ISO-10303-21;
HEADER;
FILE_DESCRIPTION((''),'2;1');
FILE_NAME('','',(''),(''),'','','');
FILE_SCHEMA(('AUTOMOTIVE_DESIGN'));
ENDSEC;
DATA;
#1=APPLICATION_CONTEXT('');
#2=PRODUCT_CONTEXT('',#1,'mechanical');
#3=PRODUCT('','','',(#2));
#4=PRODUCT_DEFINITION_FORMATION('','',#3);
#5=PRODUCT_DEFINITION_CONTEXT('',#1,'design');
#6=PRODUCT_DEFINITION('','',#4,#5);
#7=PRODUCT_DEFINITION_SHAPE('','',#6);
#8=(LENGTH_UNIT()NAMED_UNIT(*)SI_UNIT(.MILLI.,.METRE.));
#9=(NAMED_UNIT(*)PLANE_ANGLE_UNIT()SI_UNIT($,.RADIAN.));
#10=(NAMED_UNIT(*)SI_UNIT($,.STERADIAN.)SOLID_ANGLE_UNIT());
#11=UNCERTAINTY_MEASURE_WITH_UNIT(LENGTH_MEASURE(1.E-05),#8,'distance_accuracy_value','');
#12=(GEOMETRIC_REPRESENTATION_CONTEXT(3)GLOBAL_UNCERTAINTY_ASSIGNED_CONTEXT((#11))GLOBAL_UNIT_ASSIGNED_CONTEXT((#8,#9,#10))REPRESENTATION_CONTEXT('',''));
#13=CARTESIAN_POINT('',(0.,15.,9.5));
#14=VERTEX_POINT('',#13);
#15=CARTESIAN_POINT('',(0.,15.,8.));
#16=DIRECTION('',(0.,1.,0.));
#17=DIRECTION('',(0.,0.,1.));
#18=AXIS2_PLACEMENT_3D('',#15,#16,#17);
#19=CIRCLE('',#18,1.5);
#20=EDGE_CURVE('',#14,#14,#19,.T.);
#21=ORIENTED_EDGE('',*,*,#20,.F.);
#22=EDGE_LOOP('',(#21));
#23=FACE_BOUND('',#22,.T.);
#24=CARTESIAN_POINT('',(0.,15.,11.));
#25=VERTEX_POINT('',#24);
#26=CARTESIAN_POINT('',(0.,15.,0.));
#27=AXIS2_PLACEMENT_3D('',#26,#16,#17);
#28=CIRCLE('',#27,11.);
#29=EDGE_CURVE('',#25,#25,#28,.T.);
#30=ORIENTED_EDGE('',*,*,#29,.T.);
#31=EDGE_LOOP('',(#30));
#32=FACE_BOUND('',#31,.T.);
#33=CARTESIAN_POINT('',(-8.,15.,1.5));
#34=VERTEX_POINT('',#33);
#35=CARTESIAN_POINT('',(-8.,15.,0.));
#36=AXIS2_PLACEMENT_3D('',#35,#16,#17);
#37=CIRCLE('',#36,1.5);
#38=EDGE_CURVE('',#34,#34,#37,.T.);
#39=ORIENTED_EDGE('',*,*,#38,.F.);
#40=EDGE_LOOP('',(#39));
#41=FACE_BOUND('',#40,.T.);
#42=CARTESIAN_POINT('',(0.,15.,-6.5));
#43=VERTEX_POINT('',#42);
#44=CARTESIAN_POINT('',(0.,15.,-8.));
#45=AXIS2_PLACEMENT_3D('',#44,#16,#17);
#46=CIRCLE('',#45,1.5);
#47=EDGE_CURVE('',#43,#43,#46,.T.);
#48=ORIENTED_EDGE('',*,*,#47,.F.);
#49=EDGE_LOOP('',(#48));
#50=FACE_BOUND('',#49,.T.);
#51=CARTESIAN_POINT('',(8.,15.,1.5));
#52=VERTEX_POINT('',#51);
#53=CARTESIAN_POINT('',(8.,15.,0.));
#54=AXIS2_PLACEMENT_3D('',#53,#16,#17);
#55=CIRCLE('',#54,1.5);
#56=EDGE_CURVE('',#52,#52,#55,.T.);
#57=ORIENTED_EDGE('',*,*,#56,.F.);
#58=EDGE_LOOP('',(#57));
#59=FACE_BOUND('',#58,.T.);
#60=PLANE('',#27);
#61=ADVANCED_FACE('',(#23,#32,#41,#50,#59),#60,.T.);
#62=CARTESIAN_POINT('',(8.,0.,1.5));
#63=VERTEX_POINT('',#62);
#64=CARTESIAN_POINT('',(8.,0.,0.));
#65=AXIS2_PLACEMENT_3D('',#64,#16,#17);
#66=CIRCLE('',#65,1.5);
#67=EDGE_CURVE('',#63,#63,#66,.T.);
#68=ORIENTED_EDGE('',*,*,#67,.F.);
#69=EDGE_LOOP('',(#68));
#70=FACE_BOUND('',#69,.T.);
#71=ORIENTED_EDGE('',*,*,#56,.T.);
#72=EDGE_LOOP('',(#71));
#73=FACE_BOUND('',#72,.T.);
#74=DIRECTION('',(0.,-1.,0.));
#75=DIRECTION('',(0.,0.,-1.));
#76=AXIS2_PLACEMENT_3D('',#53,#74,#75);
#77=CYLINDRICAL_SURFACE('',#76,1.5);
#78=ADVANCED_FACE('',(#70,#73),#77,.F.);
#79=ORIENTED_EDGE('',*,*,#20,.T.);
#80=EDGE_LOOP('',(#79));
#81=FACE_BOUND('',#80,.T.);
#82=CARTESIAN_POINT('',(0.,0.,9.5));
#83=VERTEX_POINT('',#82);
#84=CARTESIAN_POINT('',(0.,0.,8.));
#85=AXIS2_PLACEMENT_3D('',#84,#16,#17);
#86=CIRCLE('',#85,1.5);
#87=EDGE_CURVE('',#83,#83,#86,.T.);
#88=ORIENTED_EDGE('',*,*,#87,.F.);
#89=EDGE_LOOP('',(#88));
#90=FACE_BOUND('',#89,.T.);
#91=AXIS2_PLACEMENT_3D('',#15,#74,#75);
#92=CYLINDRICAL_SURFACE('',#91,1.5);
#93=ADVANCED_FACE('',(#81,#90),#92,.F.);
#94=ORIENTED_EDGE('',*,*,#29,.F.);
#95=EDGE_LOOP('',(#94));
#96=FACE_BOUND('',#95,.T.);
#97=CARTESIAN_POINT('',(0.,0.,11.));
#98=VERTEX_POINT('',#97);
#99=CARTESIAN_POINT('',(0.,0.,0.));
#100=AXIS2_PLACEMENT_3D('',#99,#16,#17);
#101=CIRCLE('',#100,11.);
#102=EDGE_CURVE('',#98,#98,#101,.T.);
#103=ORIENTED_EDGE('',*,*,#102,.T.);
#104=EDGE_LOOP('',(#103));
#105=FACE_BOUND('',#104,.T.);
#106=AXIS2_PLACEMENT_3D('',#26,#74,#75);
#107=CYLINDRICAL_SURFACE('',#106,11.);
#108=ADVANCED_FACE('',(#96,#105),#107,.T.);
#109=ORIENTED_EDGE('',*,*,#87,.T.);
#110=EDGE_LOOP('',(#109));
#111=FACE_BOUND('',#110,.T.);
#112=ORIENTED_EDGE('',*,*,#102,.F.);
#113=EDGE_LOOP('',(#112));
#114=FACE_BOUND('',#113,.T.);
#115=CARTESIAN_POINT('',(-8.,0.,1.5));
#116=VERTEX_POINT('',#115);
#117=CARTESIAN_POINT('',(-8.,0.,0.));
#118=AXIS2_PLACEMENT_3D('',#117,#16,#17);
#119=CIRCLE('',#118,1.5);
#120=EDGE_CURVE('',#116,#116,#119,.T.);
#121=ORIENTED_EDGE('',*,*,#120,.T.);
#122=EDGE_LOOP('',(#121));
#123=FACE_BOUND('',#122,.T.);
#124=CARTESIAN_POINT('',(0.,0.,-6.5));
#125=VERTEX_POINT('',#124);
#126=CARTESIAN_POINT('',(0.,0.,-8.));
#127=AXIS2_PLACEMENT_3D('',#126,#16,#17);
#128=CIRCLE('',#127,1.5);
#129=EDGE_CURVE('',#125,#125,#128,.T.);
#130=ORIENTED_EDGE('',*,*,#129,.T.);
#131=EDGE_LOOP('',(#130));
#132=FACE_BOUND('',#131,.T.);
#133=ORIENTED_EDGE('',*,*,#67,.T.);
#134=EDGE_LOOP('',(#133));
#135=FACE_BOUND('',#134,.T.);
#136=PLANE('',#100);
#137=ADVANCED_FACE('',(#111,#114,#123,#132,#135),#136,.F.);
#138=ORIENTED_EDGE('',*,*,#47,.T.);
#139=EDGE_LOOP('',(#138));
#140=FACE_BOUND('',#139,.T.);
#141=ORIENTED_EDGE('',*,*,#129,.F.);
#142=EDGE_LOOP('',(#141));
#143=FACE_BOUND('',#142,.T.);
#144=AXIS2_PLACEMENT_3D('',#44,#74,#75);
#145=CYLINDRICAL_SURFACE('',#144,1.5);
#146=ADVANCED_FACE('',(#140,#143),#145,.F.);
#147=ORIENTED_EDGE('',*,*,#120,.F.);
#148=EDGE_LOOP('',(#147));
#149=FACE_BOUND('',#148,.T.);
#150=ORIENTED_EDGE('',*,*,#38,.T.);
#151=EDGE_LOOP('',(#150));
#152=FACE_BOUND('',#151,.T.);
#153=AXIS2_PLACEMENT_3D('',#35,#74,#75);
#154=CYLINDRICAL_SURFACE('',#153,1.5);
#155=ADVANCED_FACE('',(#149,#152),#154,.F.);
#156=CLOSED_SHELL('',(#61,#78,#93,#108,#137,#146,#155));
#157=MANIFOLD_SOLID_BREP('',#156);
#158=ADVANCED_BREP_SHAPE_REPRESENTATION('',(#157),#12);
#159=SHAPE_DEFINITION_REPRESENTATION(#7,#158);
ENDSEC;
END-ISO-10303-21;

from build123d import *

# Parameters (mm, degrees)
SKETCH_1_R      = 11
SKETCH_1_R_2    = 1.5
EXTRUDE_1_DEPTH = 15


with BuildPart() as part:
    # 草图1 → 凸台-拉伸1 (new body)
    with BuildSketch(Plane(origin=(0, 0, 0), x_dir=(1, 0, 0), z_dir=(0, 1, 0))):
        with Locations(Location((0, 0, 0), (0, 0, 270))):
            Circle(SKETCH_1_R)
        with Locations(Location((0, 8, 0), (0, 0, 270))):
            Circle(SKETCH_1_R_2, mode=Mode.SUBTRACT)
        with Locations(Location((8, 0, 0), (0, 0, 270))):
            Circle(SKETCH_1_R_2, mode=Mode.SUBTRACT)
        with Locations(Location((0, -8, 0), (0, 0, 270))):
            Circle(SKETCH_1_R_2, mode=Mode.SUBTRACT)
        with Locations(Location((-8, 0, 0), (0, 0, 270))):
            Circle(SKETCH_1_R_2, mode=Mode.SUBTRACT)
    extrude(amount=EXTRUDE_1_DEPTH)


solid = part.part
